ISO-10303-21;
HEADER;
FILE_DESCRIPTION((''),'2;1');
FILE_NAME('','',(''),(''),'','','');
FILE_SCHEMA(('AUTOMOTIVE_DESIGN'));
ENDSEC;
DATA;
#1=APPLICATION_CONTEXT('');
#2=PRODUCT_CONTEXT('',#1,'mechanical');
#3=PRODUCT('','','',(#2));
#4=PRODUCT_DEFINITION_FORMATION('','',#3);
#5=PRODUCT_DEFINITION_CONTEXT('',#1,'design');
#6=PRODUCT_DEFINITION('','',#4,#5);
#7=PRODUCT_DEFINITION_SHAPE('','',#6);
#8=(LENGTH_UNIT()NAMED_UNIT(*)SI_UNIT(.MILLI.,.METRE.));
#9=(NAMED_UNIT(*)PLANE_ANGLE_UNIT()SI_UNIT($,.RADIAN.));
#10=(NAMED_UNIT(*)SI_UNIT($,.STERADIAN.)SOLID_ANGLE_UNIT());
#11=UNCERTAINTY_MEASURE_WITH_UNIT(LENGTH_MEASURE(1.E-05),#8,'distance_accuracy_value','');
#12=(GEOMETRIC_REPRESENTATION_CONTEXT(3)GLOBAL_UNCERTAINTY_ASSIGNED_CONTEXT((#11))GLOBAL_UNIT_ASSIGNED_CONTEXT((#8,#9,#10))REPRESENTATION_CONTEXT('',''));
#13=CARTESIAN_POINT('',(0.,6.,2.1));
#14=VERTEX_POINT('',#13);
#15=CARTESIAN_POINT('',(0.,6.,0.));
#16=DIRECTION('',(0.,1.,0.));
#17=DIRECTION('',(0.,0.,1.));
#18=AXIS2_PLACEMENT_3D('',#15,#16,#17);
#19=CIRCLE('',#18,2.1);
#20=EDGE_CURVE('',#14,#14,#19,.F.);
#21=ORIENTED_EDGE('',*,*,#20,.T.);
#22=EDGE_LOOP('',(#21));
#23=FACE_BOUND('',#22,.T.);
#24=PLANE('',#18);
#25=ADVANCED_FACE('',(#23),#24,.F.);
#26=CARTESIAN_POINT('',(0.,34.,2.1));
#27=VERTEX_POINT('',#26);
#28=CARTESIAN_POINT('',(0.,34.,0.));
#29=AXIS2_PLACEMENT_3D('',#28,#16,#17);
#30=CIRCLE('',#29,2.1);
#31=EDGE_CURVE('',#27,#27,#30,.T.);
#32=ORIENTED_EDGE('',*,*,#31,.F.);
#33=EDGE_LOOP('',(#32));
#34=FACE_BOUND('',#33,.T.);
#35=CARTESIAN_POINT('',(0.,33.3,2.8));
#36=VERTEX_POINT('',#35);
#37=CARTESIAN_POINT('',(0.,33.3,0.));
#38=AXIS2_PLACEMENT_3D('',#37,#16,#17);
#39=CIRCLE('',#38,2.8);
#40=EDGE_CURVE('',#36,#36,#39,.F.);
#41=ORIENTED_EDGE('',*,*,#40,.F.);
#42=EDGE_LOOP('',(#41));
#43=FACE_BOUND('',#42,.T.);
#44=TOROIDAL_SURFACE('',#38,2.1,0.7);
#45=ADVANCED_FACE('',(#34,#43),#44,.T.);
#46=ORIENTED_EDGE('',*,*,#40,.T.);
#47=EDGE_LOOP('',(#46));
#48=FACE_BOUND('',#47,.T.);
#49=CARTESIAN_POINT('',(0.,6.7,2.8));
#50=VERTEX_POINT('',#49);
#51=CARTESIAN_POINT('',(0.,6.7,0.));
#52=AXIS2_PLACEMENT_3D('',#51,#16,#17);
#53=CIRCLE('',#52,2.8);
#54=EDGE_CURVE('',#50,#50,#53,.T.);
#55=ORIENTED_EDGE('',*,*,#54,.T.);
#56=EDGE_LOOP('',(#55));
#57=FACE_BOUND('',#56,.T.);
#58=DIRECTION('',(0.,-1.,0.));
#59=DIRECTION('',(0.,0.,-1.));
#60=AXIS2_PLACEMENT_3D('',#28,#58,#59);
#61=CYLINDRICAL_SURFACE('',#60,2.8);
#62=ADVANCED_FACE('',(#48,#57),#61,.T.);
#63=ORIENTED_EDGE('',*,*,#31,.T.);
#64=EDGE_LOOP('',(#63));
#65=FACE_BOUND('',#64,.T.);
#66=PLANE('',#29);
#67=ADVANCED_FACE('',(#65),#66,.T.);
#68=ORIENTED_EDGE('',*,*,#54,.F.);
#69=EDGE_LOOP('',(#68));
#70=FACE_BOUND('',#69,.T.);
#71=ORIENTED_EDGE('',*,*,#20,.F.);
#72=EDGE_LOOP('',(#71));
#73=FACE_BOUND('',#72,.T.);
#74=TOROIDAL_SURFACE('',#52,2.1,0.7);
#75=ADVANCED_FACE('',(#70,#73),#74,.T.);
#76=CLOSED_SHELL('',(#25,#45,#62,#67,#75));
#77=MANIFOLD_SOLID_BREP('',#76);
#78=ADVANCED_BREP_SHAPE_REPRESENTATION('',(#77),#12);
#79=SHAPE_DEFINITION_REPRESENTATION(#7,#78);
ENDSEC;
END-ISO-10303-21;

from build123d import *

# Parameters (mm, degrees)
SKETCH1_R           = 4
BOSS_EXTRUDE1_DEPTH = 40
FILLET1_R           = 1
SCALE1_SCALE        = 0.7


with BuildPart() as part:
    # Sketch1 → Boss-Extrude1 (new body)
    with BuildSketch(Plane(origin=(0, 0, 0), x_dir=(1, 0, 0), z_dir=(0, 1, 0))):
        with Locations(Location((0, 0, 0), (0, 0, 270))):
            Circle(SKETCH1_R)
    extrude(amount=BOSS_EXTRUDE1_DEPTH)

    # Fillet1
    fillet1_edges = [part.edges().sort_by_distance(p)[0] for p in [
        (0, 0, -4),
        (0, 40, -4),
    ]]
    fillet(fillet1_edges, radius=FILLET1_R)


with BuildPart() as part_1:
    # Scale1: scaled about (0, 20, 0)
    add(part.part.scale(SCALE1_SCALE).moved(Location((0, 6, 0))))


solid = part_1.part
